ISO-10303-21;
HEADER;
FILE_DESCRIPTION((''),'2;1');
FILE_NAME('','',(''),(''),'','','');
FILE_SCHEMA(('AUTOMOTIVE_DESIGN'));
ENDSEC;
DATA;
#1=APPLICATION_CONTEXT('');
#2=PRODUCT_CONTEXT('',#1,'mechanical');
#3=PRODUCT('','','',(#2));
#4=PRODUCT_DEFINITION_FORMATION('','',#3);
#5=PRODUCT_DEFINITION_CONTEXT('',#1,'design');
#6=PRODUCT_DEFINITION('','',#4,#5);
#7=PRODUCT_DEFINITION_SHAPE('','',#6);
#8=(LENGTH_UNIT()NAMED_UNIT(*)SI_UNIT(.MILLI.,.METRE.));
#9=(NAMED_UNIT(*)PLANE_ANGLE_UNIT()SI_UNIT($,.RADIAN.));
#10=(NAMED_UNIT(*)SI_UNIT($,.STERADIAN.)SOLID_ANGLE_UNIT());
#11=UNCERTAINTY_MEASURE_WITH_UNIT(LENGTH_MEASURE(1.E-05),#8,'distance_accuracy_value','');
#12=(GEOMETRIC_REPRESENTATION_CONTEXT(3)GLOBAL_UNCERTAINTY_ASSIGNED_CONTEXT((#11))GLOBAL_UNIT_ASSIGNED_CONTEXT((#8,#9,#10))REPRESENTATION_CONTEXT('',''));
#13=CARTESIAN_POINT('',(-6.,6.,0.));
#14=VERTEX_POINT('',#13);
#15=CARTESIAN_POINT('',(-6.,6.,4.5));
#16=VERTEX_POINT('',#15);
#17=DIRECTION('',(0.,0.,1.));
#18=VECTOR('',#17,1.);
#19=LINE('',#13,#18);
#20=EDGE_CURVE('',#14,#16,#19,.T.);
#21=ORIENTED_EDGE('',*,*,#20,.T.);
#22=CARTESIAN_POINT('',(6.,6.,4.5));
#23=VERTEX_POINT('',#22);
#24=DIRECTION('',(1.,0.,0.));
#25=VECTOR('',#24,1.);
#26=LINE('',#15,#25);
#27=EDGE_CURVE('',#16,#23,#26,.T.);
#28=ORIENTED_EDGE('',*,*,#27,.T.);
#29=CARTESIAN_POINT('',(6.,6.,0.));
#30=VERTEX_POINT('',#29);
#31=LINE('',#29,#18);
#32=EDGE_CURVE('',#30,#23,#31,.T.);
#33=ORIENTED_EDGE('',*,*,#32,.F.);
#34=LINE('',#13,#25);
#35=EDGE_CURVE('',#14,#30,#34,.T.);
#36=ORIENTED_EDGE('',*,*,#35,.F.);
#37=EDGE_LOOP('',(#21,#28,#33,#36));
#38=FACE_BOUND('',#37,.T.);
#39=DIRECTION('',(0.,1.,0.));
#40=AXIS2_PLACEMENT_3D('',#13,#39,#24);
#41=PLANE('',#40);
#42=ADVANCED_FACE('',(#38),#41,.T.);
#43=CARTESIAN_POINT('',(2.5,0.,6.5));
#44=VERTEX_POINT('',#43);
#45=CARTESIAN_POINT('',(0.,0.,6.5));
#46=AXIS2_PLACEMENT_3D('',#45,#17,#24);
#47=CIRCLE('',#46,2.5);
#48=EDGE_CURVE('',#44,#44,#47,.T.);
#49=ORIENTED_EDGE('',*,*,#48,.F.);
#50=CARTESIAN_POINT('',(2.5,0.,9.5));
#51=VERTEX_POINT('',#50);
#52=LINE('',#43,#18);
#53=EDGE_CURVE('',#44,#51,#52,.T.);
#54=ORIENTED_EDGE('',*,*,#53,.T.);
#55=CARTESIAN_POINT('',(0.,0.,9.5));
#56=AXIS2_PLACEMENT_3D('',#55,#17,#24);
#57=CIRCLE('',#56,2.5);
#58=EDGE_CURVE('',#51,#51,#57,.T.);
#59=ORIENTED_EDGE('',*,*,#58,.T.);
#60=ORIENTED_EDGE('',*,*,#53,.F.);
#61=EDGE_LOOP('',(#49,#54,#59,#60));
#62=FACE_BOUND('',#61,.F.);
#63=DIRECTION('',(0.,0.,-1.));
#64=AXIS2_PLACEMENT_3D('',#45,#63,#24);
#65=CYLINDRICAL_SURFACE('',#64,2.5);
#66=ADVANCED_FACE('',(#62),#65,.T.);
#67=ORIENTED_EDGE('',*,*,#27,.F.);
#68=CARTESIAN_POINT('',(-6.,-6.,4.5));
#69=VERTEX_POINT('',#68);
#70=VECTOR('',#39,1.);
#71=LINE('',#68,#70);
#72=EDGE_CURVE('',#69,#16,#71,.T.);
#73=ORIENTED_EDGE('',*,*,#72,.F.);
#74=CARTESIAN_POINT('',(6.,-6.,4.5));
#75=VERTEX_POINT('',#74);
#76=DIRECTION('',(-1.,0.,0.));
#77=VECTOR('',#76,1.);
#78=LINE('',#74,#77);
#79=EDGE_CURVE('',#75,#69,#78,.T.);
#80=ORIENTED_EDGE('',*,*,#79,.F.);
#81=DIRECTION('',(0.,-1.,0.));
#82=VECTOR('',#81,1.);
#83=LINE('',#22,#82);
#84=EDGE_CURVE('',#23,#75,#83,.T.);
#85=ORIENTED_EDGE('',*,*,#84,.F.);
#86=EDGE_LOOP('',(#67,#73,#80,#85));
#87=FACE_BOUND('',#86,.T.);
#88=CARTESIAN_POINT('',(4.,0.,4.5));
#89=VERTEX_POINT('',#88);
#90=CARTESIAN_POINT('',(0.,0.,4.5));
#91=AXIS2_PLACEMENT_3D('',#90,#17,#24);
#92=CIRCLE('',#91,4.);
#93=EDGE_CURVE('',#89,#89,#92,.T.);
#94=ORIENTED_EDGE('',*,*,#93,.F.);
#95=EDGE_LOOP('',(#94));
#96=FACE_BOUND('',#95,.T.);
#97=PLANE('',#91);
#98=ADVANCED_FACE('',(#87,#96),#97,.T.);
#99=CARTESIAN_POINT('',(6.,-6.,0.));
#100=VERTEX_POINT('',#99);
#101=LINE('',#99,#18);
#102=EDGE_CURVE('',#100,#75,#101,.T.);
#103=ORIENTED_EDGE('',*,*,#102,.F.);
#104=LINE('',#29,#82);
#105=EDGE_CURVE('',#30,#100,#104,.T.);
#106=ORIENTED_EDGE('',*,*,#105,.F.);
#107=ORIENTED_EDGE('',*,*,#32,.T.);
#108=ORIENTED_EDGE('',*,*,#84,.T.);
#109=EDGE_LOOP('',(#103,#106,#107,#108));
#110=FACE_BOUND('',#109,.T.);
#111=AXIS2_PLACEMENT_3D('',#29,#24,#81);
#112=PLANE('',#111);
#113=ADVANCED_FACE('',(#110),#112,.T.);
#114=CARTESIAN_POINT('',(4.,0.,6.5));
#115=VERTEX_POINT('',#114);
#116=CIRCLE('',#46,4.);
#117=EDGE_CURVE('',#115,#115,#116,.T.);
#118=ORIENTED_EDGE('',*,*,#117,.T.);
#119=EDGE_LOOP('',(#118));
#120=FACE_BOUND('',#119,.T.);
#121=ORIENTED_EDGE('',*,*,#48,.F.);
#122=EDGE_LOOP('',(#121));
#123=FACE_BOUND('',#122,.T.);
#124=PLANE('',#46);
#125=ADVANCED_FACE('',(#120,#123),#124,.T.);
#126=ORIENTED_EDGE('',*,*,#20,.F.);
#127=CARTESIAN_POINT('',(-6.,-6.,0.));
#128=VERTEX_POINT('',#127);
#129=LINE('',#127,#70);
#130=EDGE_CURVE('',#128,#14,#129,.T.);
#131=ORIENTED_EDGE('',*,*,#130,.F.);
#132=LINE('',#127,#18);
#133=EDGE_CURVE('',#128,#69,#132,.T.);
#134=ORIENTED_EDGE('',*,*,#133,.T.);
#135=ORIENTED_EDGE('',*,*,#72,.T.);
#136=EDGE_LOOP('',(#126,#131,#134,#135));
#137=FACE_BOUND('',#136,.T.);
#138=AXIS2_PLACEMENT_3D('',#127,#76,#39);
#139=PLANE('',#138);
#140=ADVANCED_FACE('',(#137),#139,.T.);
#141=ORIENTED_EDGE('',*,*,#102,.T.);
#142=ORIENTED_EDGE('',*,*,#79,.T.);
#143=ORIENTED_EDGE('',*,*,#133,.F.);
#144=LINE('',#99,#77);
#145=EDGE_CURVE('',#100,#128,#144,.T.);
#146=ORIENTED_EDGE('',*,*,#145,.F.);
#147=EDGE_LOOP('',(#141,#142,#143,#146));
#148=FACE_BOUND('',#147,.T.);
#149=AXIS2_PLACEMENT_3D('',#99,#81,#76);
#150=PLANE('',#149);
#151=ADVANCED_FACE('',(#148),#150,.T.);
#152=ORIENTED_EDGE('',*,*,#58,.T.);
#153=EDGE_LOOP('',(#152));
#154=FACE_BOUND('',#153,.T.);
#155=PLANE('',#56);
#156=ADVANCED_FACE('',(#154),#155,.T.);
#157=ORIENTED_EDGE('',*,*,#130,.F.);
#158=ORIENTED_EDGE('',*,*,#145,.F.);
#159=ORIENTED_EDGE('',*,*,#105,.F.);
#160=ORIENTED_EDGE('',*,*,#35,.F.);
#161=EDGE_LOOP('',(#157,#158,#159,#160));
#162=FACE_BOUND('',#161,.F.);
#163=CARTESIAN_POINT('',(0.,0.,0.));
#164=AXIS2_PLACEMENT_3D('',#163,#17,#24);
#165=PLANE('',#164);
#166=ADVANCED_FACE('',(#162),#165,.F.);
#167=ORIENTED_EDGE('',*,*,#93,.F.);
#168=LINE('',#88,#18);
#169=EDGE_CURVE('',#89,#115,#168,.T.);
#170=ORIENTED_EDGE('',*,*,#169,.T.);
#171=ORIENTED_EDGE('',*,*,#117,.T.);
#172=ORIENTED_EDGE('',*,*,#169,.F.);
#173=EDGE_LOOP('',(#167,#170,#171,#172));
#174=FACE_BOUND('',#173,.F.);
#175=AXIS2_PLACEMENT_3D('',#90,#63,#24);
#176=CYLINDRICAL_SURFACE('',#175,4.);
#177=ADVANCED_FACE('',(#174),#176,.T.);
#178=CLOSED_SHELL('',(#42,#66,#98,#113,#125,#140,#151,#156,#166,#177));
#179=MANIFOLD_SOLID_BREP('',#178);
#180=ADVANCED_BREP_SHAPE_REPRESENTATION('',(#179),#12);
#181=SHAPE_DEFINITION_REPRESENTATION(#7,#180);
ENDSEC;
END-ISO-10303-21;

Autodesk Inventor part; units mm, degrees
ref_plane "YZ Plane" through (0, 0, 0) normal (1, 0, 0) x (0, 1, 0)
ref_plane "XZ Plane" through (0, 0, 0) normal (0, 1, 0) x (-1, 0, 0)
ref_plane "XY Plane" through (0, 0, 0) normal (0, 0, 1) x (1, 0, 0)
sketch "スケッチ1" plane through (0, 0, 0) normal (0, 0, 1) x (1, 0, 0)
  line L0 (6, -6) -> (-6, -6)
  line L1 (-6, -6) -> (-6, 6)
  line L2 (-6, 6) -> (6, 6)
  line L3 (6, 6) -> (6, -6)
  line L4 (6, -6) -> (-6, 6) construction
  line L5 (-6, -6) -> (6, 6) construction
  point P0 (0, 0)
  dimension "d0" = 12
  dimension "d1" = 12
extrude "押し出し1" add sketch "スケッチ1" along normal blind 4.5
sketch "スケッチ2" plane through (0, 0, 4.5) normal (0, 0, 1) x (1, 0, 0)
  circle A0 centre (0, 0) radius 4
  dimension "d4" = 8
extrude "押し出し2" add sketch "スケッチ2" along normal blind 2
sketch "スケッチ3" plane through (0, 0, 6.5) normal (0, 0, 1) x (1, 0, 0)
  circle A0 centre (0, 0) radius 2.5
  dimension "d7" = 5
extrude "押し出し3" add sketch "スケッチ3" along normal blind 3
properties part number "switch"
